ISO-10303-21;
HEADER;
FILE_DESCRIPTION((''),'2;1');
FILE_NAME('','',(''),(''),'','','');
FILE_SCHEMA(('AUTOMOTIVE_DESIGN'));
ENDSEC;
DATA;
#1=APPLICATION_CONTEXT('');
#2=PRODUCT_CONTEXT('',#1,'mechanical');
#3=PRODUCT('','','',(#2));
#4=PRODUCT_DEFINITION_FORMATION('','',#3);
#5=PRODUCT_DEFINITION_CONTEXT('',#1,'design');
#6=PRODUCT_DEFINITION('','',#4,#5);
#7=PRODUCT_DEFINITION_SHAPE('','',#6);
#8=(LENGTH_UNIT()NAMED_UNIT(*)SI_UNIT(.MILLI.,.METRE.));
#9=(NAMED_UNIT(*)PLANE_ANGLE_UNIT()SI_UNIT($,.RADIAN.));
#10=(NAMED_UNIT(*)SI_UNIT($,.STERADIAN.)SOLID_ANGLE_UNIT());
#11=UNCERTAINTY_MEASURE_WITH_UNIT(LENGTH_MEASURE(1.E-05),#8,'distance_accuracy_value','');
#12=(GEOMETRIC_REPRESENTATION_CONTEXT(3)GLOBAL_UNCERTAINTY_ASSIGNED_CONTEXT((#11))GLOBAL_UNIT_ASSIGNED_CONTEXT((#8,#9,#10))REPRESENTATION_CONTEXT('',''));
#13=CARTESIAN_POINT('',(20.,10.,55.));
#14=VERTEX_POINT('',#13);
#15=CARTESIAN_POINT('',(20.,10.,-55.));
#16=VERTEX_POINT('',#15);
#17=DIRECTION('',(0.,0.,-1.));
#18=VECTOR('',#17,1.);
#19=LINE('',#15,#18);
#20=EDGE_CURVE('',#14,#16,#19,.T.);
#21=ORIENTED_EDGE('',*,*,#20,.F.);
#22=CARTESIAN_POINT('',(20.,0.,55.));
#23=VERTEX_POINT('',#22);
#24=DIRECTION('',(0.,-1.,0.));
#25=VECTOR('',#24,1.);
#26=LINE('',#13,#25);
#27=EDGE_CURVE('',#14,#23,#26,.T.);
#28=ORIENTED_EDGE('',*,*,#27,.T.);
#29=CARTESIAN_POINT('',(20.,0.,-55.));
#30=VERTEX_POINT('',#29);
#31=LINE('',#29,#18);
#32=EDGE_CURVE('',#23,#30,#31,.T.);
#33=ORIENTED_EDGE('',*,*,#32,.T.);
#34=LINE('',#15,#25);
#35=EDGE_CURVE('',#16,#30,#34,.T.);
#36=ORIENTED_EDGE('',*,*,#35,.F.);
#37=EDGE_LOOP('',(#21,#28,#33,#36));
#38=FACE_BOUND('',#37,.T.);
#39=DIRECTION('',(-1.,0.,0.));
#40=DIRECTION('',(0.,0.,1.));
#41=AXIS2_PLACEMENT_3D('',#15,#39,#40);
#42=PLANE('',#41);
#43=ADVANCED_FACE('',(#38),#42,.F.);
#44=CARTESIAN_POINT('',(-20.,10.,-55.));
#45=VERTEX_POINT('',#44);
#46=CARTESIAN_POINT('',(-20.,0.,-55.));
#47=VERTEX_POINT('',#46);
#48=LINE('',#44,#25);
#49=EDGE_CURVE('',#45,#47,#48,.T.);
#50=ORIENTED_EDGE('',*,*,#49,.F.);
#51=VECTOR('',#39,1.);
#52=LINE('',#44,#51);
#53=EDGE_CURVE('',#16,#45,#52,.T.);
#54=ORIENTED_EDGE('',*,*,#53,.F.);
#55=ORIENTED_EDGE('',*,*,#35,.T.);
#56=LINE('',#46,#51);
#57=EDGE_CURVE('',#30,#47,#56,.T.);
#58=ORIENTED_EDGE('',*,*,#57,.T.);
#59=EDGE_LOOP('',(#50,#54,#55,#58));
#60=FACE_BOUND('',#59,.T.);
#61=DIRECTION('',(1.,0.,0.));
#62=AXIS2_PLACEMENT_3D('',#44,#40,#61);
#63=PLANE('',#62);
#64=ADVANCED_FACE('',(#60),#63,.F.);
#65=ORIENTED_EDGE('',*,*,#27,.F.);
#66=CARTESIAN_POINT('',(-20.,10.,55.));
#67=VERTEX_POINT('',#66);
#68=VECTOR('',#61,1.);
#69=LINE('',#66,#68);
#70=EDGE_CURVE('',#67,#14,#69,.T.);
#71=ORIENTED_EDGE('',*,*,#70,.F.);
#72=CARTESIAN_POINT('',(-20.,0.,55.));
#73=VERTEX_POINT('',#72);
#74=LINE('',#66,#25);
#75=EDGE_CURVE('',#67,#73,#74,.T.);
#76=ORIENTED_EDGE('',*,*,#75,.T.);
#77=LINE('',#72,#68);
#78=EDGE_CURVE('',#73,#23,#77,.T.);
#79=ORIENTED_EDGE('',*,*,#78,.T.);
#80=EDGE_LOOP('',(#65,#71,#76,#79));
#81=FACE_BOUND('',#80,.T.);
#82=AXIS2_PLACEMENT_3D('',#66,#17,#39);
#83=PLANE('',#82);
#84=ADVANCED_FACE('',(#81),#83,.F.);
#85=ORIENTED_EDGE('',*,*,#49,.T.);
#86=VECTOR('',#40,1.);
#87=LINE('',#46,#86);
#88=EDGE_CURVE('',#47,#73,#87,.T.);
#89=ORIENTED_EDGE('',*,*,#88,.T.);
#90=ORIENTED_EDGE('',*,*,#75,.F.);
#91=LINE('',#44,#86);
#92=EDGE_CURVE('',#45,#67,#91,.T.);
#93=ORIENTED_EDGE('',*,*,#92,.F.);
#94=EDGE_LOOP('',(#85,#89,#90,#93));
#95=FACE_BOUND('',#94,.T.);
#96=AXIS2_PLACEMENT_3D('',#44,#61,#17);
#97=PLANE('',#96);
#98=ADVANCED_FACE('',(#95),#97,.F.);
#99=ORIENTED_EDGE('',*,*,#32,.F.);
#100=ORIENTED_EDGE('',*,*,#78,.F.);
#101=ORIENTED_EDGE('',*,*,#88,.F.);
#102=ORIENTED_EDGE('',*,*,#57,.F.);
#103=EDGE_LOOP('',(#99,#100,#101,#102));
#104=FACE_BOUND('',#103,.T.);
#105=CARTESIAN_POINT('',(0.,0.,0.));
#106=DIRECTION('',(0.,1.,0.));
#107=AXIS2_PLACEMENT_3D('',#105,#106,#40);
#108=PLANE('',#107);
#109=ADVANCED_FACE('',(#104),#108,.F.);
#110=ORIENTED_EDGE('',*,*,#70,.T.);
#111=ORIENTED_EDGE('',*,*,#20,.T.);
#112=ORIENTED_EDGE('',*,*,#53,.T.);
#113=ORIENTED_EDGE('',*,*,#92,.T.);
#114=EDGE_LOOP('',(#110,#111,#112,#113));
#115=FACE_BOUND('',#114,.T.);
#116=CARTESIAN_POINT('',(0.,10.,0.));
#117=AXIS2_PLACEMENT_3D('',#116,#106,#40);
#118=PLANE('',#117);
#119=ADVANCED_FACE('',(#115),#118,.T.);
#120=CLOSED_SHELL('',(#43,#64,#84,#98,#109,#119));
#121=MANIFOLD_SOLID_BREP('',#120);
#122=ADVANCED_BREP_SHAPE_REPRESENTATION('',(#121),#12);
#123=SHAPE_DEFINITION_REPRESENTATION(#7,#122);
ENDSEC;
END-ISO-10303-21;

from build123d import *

# Parameters (mm, degrees)
SKETCH1_W           = 40
SKETCH1_H           = 110
BOSS_EXTRUDE1_DEPTH = 10


with BuildPart() as part:
    # Sketch1 → Boss-Extrude1 (new body)
    with BuildSketch(Plane(origin=(0, 0, 0), x_dir=(1, 0, 0), z_dir=(0, 1, 0))):
        Rectangle(SKETCH1_W, SKETCH1_H)
    extrude(amount=BOSS_EXTRUDE1_DEPTH)


solid = part.part
